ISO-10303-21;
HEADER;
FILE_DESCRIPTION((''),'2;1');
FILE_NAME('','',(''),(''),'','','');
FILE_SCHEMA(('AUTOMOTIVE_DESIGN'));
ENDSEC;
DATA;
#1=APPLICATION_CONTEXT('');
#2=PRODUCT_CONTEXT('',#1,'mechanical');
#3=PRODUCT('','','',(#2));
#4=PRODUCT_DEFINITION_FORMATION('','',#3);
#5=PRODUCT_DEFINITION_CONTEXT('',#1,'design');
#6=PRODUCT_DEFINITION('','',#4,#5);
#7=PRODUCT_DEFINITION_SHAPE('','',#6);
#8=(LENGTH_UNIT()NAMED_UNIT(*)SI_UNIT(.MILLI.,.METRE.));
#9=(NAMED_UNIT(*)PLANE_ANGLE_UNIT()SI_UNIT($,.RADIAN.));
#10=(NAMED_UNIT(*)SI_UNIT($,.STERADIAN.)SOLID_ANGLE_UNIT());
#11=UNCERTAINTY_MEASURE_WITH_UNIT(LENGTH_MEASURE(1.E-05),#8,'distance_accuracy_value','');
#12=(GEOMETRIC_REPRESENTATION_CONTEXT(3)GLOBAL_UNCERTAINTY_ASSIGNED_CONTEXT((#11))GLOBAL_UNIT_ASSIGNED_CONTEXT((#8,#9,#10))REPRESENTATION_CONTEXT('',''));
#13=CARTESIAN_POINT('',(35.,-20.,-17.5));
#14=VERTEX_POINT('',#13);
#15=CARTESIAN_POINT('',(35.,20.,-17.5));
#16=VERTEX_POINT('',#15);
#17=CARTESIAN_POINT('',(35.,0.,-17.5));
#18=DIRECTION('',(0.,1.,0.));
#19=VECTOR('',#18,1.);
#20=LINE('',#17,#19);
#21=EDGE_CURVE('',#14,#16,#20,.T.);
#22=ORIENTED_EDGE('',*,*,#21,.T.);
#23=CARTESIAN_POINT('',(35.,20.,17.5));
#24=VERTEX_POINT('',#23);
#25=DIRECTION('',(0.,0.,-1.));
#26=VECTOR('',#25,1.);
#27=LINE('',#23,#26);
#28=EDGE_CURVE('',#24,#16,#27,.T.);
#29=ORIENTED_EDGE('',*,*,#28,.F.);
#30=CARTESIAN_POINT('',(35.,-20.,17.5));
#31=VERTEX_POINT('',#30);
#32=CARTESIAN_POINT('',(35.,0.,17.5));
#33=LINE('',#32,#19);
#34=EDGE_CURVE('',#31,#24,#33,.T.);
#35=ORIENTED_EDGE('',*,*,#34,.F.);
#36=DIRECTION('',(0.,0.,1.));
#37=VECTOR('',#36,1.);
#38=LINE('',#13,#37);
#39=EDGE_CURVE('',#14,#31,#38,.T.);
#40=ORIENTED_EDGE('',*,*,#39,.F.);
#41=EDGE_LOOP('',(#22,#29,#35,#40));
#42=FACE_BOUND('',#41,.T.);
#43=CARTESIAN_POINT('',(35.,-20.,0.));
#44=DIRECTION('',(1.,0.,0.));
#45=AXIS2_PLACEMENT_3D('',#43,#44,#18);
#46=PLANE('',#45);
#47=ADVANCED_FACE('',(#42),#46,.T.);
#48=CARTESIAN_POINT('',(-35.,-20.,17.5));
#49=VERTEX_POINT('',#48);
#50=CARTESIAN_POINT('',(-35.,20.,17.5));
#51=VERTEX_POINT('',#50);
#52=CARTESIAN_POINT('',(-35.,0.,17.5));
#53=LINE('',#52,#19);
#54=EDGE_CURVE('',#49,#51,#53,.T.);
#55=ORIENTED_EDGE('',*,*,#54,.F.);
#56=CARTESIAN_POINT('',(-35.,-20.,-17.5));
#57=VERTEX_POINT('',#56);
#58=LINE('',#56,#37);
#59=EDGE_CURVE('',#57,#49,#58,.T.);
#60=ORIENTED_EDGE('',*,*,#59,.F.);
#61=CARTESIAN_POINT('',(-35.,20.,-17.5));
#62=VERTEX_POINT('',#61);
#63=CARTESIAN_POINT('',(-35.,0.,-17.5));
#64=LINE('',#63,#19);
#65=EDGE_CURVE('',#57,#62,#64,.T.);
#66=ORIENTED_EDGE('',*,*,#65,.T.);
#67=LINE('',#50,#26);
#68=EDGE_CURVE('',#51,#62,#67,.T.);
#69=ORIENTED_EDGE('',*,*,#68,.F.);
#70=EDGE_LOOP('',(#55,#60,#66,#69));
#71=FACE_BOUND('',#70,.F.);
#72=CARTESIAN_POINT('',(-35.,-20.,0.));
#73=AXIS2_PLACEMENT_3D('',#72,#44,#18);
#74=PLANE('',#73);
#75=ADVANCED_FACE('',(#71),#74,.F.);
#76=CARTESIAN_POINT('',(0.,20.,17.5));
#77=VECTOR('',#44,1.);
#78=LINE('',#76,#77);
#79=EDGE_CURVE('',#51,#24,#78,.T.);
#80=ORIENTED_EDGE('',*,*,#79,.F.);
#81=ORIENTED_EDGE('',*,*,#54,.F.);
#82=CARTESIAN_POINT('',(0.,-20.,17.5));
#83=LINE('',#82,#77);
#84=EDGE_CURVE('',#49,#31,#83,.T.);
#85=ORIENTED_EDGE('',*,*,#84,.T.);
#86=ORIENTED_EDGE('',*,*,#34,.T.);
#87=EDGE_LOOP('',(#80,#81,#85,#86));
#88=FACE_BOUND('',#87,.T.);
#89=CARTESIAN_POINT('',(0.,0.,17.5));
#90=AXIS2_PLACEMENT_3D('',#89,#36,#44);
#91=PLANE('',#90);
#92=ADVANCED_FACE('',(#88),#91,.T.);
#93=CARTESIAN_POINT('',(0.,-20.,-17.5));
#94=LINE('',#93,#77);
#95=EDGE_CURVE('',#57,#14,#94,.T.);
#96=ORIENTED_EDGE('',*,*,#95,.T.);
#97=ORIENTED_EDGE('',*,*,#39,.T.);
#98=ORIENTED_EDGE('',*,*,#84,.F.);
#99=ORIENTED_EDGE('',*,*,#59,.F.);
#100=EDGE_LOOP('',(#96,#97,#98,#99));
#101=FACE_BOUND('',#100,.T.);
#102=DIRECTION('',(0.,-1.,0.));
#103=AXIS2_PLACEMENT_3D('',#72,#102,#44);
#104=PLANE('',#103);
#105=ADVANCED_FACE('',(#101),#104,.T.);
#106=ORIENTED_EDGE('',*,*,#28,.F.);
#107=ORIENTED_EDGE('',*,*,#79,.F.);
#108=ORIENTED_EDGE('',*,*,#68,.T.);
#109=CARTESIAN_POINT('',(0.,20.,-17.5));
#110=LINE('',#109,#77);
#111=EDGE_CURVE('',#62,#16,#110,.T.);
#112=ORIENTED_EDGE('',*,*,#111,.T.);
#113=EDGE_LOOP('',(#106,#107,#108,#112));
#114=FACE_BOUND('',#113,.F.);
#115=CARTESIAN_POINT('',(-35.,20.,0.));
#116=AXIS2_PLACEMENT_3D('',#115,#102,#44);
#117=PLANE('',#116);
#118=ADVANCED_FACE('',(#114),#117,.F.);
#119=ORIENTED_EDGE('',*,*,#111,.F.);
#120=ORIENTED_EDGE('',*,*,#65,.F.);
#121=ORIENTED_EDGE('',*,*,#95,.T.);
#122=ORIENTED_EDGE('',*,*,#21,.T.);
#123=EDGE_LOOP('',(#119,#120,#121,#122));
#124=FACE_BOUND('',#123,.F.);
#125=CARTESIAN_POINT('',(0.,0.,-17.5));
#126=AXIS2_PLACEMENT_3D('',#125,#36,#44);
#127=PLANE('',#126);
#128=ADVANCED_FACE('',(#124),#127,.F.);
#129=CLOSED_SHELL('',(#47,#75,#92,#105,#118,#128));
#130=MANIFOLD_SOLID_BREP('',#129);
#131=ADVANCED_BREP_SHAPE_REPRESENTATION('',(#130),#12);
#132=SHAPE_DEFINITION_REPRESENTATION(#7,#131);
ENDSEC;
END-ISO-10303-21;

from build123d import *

# Parameters (mm, degrees)
SKETCH_W  = 70
SKETCH_H  = 40
PAD_DEPTH = 17.5


with BuildPart() as part:
    # Sketch → Pad (new body, symmetric)
    with BuildSketch(Plane.XY):
        Rectangle(SKETCH_W, SKETCH_H)
    extrude(amount=PAD_DEPTH, both=True)


solid = part.part
